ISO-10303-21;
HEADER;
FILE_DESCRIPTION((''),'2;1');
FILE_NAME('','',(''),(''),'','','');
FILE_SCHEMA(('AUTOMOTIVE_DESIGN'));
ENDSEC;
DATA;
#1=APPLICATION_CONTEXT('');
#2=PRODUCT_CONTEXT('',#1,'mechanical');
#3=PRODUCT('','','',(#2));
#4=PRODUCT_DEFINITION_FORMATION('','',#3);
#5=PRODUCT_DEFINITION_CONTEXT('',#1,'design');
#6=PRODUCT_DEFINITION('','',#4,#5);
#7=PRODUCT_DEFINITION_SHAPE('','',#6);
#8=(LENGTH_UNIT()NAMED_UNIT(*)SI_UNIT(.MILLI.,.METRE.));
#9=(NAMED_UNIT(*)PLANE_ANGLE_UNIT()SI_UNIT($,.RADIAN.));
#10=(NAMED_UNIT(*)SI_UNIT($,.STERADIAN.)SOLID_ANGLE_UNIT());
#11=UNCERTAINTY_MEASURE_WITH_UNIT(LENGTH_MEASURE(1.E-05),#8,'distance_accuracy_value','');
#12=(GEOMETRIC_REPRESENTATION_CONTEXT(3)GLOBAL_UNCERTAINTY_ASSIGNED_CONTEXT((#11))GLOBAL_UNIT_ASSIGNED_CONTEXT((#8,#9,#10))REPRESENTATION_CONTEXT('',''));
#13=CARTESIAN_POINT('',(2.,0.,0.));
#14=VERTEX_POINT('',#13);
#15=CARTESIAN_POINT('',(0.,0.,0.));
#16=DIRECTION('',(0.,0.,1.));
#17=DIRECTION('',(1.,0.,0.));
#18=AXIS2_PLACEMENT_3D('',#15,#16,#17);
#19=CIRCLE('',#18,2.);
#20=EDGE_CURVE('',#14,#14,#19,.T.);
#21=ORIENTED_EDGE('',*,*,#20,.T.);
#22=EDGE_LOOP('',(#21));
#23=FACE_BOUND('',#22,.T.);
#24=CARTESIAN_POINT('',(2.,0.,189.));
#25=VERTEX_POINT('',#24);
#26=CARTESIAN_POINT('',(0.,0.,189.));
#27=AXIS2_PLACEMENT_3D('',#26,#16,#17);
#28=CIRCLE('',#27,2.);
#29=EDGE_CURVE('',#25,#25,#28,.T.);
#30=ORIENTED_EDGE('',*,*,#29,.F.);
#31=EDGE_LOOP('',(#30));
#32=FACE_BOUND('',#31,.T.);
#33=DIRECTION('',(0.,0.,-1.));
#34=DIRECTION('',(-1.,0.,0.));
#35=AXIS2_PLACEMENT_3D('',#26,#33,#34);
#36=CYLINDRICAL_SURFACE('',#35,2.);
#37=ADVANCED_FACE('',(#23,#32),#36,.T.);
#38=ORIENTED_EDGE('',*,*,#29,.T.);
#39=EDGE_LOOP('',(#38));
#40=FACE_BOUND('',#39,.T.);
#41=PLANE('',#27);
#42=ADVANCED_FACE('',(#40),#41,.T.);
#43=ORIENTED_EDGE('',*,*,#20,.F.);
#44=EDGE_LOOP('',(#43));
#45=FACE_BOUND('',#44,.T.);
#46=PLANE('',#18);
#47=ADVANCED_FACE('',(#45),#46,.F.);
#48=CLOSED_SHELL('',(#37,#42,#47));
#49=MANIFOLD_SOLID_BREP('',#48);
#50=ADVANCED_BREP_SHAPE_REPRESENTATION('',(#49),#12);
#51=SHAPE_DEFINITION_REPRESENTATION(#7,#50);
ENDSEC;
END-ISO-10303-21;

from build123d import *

# Parameters (mm, degrees)
SKETCH_1_R      = 2
EXTRUDE_1_DEPTH = 189


with BuildPart() as part:
    # 草图1 → 凸台-拉伸1 (new body)
    with BuildSketch(Plane.XY):
        Circle(SKETCH_1_R)
    extrude(amount=EXTRUDE_1_DEPTH)


solid = part.part
